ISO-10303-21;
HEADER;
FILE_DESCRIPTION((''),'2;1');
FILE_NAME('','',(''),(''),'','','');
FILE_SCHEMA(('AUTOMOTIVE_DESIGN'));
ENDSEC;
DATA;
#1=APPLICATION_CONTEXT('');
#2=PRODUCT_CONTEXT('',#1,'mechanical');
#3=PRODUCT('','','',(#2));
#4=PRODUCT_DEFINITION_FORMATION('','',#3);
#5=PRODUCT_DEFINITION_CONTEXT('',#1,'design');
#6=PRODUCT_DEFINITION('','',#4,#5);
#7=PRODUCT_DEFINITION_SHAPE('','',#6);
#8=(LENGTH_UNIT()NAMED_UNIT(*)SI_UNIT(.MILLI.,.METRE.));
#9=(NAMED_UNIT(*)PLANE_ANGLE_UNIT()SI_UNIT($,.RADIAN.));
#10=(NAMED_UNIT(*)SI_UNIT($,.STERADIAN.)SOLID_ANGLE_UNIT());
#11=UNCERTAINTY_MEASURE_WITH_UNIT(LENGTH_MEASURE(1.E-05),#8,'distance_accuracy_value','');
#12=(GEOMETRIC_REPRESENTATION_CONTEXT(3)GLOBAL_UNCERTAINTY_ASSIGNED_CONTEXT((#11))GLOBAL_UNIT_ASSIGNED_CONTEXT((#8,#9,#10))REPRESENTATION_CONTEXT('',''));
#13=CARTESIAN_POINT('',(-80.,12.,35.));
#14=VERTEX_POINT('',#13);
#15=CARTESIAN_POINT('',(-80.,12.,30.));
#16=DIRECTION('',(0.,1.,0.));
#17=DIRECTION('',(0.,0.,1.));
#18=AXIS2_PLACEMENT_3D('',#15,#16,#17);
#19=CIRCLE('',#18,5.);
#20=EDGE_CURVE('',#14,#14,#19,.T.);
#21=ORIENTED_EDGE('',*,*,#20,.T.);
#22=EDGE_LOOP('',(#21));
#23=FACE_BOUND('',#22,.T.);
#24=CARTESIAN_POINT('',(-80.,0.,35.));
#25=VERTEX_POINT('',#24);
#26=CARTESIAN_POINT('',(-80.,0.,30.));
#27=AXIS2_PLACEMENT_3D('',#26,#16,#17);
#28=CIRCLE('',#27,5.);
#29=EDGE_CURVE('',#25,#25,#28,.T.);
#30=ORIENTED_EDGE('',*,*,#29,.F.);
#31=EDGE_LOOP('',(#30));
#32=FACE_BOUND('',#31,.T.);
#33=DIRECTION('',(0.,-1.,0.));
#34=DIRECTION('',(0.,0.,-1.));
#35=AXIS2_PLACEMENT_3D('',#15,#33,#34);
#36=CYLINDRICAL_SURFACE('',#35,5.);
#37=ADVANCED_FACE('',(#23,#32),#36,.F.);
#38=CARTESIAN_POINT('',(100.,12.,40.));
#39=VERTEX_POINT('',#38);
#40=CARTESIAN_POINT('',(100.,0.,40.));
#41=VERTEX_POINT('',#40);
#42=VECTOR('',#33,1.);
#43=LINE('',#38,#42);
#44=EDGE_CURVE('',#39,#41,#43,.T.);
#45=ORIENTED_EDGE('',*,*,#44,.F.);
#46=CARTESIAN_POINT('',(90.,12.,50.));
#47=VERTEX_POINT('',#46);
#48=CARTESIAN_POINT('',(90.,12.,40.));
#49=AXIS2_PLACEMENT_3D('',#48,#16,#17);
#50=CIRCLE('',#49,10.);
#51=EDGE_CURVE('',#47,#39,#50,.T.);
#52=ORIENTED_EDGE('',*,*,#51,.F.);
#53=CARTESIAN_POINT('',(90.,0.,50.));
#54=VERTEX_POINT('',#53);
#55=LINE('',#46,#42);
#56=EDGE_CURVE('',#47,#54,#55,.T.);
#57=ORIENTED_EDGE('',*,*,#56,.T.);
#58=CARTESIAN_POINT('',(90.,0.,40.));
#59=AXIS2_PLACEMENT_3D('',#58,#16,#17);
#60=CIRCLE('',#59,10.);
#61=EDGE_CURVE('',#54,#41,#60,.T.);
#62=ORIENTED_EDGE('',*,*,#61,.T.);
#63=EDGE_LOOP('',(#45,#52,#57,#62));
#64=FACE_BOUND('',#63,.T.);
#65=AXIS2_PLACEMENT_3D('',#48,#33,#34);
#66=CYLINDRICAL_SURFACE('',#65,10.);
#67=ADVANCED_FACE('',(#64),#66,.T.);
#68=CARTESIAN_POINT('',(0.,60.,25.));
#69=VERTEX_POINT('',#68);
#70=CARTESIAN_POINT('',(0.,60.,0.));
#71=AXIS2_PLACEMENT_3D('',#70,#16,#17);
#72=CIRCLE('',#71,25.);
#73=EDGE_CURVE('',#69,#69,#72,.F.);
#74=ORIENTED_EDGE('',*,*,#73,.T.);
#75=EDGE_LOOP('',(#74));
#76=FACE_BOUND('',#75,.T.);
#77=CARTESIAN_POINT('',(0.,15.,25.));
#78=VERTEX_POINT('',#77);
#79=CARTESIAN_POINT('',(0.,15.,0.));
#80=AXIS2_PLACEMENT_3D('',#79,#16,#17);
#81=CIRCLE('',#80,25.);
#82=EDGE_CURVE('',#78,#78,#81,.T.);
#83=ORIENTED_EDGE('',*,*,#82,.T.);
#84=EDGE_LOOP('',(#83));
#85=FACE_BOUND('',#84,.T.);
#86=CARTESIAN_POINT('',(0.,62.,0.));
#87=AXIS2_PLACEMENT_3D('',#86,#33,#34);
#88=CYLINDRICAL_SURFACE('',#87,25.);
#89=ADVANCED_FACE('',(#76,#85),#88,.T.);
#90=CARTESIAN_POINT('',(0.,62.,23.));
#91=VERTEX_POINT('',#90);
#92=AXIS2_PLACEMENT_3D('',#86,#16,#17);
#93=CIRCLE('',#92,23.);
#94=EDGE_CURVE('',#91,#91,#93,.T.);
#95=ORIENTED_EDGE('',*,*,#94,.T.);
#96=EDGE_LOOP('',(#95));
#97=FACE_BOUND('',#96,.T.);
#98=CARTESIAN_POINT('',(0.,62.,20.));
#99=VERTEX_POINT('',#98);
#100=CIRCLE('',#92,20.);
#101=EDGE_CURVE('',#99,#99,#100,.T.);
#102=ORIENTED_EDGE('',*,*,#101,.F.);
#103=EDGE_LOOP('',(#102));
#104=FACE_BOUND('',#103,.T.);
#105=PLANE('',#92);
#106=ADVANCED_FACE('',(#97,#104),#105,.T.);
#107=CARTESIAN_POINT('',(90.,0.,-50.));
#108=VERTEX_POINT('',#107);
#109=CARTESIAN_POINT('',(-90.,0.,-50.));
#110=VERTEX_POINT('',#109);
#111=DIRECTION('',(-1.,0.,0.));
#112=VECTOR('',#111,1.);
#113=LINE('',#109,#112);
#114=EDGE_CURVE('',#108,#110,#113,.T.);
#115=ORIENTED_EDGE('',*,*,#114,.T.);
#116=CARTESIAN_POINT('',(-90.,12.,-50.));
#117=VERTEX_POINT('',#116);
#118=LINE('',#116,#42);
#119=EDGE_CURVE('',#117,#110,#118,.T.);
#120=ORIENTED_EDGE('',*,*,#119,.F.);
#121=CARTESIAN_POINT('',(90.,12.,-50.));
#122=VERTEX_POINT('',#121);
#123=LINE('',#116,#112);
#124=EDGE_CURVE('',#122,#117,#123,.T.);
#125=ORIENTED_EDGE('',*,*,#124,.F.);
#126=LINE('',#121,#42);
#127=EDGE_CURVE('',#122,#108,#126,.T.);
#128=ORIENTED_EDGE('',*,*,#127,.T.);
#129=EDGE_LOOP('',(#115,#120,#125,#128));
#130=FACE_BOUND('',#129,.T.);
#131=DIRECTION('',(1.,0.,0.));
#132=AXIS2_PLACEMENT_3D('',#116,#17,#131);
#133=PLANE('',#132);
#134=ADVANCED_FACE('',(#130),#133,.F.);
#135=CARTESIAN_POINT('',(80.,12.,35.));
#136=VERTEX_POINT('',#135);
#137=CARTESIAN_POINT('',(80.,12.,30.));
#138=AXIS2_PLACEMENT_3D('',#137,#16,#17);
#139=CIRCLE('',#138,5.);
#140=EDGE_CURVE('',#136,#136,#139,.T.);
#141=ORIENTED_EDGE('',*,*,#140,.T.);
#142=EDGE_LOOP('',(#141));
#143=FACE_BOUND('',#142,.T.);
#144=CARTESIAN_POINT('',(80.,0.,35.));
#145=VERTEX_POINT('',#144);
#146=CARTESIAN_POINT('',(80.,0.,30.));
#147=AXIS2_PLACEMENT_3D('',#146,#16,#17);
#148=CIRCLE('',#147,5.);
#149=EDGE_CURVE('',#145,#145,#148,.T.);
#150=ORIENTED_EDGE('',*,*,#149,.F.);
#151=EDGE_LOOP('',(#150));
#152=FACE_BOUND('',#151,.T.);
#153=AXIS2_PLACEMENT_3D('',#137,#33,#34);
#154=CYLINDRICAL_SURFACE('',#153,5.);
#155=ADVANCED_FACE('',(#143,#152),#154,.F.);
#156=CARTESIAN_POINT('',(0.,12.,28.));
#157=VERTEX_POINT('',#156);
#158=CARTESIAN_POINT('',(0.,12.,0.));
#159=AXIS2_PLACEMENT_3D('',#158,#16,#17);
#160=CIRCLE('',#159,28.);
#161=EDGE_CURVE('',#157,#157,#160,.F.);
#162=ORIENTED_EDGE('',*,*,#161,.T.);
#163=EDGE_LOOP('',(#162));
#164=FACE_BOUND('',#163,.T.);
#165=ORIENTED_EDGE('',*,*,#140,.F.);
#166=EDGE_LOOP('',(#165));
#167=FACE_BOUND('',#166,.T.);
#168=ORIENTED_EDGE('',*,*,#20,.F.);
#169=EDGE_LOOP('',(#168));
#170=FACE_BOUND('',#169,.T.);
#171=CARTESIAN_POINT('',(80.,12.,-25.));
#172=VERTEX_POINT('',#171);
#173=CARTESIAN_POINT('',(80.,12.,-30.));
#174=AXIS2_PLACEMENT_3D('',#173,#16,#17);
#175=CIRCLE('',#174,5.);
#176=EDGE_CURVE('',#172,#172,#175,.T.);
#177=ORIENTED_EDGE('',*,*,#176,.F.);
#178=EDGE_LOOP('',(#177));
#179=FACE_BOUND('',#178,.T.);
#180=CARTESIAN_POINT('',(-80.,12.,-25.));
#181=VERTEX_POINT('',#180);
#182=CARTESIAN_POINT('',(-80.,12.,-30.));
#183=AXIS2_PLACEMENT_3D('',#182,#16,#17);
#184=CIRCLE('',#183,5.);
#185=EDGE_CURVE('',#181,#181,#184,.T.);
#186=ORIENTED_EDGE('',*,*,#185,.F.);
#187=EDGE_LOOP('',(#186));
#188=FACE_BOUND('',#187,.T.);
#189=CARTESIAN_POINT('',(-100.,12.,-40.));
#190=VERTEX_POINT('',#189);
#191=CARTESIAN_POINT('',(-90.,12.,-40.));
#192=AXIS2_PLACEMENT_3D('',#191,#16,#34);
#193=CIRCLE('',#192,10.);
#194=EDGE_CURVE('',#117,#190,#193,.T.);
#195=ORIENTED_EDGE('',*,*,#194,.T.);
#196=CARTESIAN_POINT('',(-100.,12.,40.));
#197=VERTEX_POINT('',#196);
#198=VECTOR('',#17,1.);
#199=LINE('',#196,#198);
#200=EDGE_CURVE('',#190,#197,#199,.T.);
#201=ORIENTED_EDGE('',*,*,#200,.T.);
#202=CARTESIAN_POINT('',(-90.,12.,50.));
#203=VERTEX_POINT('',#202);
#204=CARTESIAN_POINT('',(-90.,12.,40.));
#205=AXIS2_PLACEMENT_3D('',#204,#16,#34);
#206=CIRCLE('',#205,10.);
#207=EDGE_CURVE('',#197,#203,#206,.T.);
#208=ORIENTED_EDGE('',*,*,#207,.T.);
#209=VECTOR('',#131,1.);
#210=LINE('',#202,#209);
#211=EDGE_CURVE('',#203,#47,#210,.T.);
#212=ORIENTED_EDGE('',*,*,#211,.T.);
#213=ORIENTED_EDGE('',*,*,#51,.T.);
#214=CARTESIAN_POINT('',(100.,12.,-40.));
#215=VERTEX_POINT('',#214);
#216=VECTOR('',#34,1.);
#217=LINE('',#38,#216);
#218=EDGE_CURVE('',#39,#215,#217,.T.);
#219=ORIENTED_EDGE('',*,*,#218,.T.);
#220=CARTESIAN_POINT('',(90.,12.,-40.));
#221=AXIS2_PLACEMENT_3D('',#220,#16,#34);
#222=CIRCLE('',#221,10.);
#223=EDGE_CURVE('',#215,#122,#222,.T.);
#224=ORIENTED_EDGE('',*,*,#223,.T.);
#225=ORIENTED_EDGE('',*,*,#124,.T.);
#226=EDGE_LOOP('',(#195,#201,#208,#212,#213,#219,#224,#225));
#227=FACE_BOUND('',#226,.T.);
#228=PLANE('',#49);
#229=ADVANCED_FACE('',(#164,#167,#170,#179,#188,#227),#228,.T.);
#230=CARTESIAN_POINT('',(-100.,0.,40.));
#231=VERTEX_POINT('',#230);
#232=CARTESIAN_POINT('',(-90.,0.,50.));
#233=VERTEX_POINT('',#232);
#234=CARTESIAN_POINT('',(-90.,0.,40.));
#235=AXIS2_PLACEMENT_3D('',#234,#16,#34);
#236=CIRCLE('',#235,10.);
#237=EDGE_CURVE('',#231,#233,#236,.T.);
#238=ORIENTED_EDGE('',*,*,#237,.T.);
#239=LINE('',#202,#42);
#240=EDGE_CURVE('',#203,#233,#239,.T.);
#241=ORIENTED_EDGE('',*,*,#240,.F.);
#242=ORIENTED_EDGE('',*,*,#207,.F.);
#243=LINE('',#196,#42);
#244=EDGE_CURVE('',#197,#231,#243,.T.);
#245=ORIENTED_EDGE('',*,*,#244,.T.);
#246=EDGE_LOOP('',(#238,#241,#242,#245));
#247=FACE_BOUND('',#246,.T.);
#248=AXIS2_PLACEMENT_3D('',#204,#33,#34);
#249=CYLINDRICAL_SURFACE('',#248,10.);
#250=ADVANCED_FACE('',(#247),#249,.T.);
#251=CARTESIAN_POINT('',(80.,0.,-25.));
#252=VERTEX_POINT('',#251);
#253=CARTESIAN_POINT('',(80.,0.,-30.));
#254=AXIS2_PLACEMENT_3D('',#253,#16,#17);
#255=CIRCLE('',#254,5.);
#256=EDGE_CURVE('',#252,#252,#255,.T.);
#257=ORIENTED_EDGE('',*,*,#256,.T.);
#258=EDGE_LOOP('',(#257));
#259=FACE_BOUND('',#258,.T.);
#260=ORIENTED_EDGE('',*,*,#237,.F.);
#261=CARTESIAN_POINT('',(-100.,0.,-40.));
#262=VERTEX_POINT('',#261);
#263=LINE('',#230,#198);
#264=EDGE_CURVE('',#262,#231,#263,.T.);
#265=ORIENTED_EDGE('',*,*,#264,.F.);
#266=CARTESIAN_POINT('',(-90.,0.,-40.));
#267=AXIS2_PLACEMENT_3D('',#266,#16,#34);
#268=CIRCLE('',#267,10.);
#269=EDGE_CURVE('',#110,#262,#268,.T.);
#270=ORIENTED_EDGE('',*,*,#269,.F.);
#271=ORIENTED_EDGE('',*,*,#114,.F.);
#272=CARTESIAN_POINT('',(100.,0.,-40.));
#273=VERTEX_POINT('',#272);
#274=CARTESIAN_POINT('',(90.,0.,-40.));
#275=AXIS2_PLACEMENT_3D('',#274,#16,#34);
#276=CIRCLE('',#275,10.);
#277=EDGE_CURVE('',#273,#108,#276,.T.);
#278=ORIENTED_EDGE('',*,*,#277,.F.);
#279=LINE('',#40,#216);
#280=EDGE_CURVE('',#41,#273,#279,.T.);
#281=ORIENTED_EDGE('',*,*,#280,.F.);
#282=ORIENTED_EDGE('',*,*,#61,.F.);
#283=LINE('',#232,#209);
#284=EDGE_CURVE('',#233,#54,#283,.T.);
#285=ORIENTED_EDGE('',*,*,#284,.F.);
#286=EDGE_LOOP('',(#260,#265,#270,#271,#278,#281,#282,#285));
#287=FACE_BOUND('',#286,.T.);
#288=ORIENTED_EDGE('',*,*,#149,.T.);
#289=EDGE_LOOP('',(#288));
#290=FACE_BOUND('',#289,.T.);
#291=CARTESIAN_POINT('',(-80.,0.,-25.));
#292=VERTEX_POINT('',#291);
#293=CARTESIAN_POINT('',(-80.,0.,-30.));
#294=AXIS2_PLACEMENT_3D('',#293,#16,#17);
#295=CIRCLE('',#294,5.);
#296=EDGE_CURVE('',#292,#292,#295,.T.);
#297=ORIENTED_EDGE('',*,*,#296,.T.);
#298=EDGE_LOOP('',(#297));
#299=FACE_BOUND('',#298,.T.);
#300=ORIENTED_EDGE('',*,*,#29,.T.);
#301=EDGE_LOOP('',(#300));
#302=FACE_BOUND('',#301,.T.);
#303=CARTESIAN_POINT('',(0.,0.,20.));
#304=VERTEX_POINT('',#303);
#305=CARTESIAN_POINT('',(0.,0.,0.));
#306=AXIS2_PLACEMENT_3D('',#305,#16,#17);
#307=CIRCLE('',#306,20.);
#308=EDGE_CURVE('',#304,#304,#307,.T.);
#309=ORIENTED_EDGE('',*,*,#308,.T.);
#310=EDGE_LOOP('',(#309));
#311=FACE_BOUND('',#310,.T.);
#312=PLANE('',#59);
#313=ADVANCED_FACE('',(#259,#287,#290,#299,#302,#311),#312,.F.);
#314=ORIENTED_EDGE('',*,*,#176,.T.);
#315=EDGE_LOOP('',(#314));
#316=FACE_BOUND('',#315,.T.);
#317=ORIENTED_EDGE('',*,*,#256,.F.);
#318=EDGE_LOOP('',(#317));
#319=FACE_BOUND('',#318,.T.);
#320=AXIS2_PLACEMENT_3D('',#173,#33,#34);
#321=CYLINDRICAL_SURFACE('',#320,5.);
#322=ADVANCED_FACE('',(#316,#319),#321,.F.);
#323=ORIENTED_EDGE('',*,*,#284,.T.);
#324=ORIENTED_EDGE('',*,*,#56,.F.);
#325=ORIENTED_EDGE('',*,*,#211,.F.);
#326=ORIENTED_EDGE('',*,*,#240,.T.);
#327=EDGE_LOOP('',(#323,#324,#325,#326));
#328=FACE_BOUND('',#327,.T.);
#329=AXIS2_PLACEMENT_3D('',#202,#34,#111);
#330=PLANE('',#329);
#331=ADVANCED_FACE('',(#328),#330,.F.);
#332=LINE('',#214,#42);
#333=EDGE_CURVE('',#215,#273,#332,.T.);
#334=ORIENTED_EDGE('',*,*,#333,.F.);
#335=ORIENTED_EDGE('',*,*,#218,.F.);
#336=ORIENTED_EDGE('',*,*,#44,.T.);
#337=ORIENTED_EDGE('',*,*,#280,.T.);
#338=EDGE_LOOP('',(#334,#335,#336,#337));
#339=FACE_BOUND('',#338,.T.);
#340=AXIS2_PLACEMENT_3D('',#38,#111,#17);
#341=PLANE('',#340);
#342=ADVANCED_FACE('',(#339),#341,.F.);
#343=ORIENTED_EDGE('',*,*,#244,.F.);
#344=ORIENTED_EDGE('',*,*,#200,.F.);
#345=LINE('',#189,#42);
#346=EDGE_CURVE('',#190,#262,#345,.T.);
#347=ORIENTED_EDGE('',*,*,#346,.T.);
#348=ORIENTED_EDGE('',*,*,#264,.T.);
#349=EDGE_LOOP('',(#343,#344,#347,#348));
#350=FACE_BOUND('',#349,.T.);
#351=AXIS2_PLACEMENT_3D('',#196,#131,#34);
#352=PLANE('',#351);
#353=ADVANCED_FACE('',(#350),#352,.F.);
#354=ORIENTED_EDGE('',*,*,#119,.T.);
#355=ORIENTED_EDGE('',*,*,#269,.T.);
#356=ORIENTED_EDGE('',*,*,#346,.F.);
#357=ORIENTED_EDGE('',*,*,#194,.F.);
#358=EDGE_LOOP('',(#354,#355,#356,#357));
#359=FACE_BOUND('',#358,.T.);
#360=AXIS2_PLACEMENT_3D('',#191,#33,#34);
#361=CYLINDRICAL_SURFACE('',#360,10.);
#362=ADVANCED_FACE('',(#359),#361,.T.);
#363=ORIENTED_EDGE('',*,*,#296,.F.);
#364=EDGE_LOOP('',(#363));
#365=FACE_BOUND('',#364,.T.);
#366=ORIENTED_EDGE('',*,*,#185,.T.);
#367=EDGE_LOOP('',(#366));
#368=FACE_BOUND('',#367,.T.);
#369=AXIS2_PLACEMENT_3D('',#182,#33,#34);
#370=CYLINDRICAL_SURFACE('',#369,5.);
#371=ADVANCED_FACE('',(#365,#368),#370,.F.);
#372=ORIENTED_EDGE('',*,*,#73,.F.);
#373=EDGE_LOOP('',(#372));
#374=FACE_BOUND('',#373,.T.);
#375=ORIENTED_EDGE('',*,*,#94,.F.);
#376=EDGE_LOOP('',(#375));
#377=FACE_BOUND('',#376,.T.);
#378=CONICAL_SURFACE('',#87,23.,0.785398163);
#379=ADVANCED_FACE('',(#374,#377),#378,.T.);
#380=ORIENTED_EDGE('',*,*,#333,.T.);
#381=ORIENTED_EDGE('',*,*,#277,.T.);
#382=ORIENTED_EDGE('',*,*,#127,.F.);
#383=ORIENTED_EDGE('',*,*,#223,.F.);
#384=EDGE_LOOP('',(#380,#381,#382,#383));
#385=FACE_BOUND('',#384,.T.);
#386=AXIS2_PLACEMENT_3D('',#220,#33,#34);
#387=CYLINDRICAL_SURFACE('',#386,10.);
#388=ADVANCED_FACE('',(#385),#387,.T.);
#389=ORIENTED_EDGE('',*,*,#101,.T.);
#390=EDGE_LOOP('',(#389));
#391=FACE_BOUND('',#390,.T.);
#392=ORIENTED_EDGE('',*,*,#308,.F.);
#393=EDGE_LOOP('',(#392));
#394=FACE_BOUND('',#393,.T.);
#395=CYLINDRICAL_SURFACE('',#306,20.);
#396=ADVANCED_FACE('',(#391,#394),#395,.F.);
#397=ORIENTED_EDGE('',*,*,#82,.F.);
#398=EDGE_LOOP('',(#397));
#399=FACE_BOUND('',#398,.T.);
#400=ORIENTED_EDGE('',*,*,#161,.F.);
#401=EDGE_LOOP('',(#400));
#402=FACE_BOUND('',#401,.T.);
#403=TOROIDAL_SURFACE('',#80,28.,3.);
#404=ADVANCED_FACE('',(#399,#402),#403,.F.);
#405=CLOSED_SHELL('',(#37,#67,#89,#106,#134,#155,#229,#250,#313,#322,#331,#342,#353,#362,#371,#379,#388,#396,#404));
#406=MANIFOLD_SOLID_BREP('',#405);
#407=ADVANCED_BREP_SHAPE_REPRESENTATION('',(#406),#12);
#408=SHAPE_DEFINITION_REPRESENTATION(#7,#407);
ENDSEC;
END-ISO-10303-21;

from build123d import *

# Parameters (mm, degrees)
SKETCH1_R           = 5
BOSS_EXTRUDE1_DEPTH = 12
SKETCH2_R           = 25
BOSS_EXTRUDE2_DEPTH = 50
SKETCH3_R           = 20
CUT_EXTRUDE1_DEPTH  = 63
FILLET1_R           = 3
CHAMFER1_SIZE       = 2


with BuildPart() as part:
    # Sketch1 → Boss-Extrude1 (new body)
    with BuildSketch(Plane(origin=(0, 0, 0), x_dir=(1, 0, 0), z_dir=(0, 1, 0))):
        with BuildLine():
            Line((-90, -50), (90, -50))
            ThreePointArc((90, -50), (97.071067812, -47.071067812), (100, -40))
            Line((100, -40), (100, 40))
            ThreePointArc((100, 40), (97.071067812, 47.071067812), (90, 50))
            Line((90, 50), (-90, 50))
            ThreePointArc((-90, 50), (-97.071067812, 47.071067812), (-100, 40))
            Line((-100, 40), (-100, -40))
            ThreePointArc((-100, -40), (-97.071067812, -47.071067812), (-90, -50))
        make_face()
        with Locations((-80, -30)):
            Circle(SKETCH1_R, mode=Mode.SUBTRACT)
        with Locations((-80, 30)):
            Circle(SKETCH1_R, mode=Mode.SUBTRACT)
        with Locations((80, 30)):
            Circle(SKETCH1_R, mode=Mode.SUBTRACT)
        with Locations((80, -30)):
            Circle(SKETCH1_R, mode=Mode.SUBTRACT)
    extrude(amount=BOSS_EXTRUDE1_DEPTH)

    # Sketch2 → Boss-Extrude2 (add)
    with BuildSketch(Plane(origin=(0, 12, 0), x_dir=(1, 0, 0), z_dir=(0, 1, 0))):
        Circle(SKETCH2_R)
    extrude(amount=BOSS_EXTRUDE2_DEPTH)

    # Sketch3 → Cut-Extrude1 (cut, through all)
    with BuildSketch(Plane(origin=(0, 62, 0), x_dir=(1, 0, 0), z_dir=(0, 1, 0))):
        Circle(SKETCH3_R)
    extrude(amount=-CUT_EXTRUDE1_DEPTH, mode=Mode.SUBTRACT)

    # Fillet1
    fillet1_edges = [part.edges().sort_by_distance(p)[0] for p in [
        (-25, 12, 0),
    ]]
    fillet(fillet1_edges, radius=FILLET1_R)

    # Chamfer1
    chamfer1_edges = [part.edges().sort_by_distance(p)[0] for p in [
        (-25, 62, 0),
    ]]
    chamfer(chamfer1_edges, length=CHAMFER1_SIZE)


solid = part.part
